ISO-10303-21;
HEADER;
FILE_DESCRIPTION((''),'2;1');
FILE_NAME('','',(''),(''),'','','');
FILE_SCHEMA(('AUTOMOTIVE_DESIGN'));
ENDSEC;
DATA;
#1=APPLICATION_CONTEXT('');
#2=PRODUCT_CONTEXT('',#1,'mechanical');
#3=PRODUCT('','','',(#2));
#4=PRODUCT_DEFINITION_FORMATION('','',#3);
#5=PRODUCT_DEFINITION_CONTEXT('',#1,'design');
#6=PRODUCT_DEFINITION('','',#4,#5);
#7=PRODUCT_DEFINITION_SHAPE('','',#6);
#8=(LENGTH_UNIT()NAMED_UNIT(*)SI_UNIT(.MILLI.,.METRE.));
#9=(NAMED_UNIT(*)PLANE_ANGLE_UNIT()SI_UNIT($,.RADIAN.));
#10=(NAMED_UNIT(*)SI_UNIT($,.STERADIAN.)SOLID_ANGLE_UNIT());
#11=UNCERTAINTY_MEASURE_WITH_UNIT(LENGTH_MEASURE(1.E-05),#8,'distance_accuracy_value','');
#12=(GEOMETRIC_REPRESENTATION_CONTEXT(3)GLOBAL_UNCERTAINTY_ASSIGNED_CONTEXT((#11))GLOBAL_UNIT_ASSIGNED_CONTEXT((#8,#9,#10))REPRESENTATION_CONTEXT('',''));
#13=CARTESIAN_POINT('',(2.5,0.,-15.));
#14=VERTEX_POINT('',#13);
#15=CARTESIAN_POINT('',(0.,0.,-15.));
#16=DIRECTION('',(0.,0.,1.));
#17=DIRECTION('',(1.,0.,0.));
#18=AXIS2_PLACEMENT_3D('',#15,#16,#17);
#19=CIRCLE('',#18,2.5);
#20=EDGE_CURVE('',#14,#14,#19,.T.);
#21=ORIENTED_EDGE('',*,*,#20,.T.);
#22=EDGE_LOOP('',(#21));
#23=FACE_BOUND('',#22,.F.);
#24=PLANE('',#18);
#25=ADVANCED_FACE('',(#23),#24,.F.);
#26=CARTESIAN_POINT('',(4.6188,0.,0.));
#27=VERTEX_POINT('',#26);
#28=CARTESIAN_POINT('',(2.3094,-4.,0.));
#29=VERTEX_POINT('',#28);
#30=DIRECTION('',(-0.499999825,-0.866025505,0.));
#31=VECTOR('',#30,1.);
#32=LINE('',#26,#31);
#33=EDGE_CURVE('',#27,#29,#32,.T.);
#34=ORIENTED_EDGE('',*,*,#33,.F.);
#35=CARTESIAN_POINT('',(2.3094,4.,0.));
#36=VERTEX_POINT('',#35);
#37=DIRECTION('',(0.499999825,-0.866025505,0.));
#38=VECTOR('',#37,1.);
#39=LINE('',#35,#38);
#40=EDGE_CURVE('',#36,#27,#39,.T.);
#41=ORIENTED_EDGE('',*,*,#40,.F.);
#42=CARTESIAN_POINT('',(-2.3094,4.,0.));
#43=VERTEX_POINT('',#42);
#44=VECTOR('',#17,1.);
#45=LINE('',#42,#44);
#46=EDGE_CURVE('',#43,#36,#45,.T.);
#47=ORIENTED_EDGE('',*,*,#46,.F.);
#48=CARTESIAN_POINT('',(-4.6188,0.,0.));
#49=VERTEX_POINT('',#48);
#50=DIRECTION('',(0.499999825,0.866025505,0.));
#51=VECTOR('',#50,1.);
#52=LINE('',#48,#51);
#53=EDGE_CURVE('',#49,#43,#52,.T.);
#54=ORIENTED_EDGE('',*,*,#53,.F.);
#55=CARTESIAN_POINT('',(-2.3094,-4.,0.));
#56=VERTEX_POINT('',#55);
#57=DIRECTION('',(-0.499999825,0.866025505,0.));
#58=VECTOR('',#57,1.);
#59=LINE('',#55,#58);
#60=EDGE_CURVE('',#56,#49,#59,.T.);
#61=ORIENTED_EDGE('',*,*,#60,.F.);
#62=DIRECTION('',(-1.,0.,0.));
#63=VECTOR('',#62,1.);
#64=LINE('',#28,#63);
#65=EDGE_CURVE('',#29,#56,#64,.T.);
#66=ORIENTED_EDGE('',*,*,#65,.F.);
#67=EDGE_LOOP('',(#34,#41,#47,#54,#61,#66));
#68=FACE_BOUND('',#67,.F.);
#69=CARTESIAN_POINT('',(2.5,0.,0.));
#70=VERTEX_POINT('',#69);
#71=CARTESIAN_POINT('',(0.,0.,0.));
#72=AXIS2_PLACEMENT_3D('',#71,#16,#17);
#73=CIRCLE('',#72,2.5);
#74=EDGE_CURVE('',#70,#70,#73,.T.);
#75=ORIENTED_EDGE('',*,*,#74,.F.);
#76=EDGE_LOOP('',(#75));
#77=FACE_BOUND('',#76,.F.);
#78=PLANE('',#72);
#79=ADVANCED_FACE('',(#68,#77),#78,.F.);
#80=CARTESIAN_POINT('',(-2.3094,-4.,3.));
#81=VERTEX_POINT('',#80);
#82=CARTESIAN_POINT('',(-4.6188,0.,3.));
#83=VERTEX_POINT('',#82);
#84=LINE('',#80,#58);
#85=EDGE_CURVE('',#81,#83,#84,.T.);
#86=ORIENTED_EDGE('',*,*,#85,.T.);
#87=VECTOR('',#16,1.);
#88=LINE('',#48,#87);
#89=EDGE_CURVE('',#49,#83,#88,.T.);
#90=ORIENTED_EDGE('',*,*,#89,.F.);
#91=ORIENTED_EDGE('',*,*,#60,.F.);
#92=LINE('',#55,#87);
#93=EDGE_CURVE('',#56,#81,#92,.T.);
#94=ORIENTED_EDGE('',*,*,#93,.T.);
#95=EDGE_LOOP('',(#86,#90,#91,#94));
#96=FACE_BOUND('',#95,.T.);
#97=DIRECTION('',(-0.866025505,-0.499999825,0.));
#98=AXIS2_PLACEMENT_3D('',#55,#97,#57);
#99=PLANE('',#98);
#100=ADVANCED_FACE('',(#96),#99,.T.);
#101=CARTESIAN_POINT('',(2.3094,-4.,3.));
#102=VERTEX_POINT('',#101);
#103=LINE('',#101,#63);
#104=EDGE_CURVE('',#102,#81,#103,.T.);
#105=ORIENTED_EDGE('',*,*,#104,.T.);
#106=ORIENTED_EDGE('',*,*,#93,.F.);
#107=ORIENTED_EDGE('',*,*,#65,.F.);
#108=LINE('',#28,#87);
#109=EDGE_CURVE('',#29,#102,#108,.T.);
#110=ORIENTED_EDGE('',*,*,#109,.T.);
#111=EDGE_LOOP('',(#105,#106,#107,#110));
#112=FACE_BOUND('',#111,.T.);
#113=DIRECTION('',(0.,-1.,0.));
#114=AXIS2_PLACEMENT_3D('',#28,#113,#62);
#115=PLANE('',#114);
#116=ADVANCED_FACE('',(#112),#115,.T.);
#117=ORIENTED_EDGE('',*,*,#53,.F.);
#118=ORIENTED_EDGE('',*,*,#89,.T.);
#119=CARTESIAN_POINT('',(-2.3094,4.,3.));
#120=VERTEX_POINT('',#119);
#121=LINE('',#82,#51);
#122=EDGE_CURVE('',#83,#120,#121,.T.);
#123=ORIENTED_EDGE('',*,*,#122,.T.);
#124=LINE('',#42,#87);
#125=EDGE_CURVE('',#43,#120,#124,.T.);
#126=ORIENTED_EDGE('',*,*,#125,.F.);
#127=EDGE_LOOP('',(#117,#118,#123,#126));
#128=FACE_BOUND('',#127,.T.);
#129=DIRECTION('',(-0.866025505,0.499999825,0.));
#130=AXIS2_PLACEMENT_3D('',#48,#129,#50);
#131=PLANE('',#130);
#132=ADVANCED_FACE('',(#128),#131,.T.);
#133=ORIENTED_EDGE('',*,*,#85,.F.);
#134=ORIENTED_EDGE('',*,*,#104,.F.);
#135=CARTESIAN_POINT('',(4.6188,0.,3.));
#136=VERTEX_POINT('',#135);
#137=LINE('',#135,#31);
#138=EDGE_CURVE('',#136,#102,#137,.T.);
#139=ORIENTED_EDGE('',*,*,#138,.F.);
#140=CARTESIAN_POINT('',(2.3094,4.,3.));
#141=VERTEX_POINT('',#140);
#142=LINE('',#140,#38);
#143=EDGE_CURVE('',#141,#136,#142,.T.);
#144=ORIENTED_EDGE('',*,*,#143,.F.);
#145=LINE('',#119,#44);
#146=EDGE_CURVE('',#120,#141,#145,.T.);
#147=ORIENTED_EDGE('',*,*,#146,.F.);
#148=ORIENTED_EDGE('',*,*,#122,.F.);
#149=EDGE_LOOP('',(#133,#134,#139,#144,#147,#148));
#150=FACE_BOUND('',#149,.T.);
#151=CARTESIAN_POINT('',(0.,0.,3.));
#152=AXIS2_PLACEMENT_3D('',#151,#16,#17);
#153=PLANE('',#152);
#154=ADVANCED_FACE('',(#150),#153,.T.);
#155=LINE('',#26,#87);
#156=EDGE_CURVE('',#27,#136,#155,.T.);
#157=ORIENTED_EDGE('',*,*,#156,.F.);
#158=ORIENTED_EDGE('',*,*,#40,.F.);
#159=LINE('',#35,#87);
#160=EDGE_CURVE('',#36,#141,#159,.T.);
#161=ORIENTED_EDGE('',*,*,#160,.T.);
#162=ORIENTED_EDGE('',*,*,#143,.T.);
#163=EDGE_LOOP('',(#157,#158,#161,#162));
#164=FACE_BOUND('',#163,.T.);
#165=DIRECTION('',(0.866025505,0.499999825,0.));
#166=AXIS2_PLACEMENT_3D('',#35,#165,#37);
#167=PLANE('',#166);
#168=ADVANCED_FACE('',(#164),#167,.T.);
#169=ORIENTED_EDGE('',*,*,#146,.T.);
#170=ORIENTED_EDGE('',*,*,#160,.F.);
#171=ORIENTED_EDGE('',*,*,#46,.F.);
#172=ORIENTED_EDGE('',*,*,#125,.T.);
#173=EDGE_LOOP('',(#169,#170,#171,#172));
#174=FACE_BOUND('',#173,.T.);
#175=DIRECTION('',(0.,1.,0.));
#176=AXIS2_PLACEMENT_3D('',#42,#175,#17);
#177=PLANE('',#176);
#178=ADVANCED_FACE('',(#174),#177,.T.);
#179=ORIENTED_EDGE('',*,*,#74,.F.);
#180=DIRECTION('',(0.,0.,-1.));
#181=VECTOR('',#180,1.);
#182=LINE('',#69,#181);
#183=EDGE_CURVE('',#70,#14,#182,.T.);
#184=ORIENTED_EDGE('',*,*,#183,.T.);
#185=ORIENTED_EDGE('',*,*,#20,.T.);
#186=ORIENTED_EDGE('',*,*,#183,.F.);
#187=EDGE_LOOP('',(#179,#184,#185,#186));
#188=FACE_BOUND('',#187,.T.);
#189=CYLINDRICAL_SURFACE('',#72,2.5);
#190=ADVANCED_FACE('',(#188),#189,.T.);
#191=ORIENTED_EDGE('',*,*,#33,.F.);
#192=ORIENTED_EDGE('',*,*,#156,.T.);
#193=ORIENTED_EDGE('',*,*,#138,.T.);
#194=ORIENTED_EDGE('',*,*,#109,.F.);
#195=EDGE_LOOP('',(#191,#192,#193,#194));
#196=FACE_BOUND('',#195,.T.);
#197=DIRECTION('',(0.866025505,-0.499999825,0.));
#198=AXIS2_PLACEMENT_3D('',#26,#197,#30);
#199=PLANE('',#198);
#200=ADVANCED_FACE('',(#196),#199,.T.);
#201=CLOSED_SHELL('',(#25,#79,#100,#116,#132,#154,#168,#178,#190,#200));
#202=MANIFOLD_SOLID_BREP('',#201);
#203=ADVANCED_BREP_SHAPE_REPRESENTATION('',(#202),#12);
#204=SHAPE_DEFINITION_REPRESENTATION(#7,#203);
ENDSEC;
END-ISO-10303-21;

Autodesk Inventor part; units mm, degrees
ref_plane "YZ Plane" through (0, 0, 0) normal (1, 0, 0) x (0, 1, 0)
ref_plane "XZ Plane" through (0, 0, 0) normal (0, 1, 0) x (-1, 0, 0)
ref_plane "XY Plane" through (0, 0, 0) normal (0, 0, 1) x (1, 0, 0)
sketch "Эскиз1" plane through (0, 0, 0) normal (0, 0, 1) x (1, 0, 0)
  line L0 (2.3094, 4) -> (4.6188, 0)
  line L1 (4.6188, 0) -> (2.3094, -4)
  line L2 (2.3094, -4) -> (-2.3094, -4)
  line L3 (-2.3094, -4) -> (-4.6188, 0)
  line L4 (-4.6188, 0) -> (-2.3094, 4)
  line L5 (-2.3094, 4) -> (2.3094, 4)
  circle A0 centre (0, 0) radius 2.5
  dimension "d0" = 8
  dimension "d3" = 5
extrude "Выдавливание1" add sketch "Эскиз1" along normal blind 3 contours L0 L1 L2 L3 L4 L5 | A0
extrude "Выдавливание2" add sketch "Эскиз1" against normal blind 15 contours A0
thread "Резьба1" size "M5x0.8" class "6g" standard "ISO Metric profile" length 150
properties part number "Болт"
